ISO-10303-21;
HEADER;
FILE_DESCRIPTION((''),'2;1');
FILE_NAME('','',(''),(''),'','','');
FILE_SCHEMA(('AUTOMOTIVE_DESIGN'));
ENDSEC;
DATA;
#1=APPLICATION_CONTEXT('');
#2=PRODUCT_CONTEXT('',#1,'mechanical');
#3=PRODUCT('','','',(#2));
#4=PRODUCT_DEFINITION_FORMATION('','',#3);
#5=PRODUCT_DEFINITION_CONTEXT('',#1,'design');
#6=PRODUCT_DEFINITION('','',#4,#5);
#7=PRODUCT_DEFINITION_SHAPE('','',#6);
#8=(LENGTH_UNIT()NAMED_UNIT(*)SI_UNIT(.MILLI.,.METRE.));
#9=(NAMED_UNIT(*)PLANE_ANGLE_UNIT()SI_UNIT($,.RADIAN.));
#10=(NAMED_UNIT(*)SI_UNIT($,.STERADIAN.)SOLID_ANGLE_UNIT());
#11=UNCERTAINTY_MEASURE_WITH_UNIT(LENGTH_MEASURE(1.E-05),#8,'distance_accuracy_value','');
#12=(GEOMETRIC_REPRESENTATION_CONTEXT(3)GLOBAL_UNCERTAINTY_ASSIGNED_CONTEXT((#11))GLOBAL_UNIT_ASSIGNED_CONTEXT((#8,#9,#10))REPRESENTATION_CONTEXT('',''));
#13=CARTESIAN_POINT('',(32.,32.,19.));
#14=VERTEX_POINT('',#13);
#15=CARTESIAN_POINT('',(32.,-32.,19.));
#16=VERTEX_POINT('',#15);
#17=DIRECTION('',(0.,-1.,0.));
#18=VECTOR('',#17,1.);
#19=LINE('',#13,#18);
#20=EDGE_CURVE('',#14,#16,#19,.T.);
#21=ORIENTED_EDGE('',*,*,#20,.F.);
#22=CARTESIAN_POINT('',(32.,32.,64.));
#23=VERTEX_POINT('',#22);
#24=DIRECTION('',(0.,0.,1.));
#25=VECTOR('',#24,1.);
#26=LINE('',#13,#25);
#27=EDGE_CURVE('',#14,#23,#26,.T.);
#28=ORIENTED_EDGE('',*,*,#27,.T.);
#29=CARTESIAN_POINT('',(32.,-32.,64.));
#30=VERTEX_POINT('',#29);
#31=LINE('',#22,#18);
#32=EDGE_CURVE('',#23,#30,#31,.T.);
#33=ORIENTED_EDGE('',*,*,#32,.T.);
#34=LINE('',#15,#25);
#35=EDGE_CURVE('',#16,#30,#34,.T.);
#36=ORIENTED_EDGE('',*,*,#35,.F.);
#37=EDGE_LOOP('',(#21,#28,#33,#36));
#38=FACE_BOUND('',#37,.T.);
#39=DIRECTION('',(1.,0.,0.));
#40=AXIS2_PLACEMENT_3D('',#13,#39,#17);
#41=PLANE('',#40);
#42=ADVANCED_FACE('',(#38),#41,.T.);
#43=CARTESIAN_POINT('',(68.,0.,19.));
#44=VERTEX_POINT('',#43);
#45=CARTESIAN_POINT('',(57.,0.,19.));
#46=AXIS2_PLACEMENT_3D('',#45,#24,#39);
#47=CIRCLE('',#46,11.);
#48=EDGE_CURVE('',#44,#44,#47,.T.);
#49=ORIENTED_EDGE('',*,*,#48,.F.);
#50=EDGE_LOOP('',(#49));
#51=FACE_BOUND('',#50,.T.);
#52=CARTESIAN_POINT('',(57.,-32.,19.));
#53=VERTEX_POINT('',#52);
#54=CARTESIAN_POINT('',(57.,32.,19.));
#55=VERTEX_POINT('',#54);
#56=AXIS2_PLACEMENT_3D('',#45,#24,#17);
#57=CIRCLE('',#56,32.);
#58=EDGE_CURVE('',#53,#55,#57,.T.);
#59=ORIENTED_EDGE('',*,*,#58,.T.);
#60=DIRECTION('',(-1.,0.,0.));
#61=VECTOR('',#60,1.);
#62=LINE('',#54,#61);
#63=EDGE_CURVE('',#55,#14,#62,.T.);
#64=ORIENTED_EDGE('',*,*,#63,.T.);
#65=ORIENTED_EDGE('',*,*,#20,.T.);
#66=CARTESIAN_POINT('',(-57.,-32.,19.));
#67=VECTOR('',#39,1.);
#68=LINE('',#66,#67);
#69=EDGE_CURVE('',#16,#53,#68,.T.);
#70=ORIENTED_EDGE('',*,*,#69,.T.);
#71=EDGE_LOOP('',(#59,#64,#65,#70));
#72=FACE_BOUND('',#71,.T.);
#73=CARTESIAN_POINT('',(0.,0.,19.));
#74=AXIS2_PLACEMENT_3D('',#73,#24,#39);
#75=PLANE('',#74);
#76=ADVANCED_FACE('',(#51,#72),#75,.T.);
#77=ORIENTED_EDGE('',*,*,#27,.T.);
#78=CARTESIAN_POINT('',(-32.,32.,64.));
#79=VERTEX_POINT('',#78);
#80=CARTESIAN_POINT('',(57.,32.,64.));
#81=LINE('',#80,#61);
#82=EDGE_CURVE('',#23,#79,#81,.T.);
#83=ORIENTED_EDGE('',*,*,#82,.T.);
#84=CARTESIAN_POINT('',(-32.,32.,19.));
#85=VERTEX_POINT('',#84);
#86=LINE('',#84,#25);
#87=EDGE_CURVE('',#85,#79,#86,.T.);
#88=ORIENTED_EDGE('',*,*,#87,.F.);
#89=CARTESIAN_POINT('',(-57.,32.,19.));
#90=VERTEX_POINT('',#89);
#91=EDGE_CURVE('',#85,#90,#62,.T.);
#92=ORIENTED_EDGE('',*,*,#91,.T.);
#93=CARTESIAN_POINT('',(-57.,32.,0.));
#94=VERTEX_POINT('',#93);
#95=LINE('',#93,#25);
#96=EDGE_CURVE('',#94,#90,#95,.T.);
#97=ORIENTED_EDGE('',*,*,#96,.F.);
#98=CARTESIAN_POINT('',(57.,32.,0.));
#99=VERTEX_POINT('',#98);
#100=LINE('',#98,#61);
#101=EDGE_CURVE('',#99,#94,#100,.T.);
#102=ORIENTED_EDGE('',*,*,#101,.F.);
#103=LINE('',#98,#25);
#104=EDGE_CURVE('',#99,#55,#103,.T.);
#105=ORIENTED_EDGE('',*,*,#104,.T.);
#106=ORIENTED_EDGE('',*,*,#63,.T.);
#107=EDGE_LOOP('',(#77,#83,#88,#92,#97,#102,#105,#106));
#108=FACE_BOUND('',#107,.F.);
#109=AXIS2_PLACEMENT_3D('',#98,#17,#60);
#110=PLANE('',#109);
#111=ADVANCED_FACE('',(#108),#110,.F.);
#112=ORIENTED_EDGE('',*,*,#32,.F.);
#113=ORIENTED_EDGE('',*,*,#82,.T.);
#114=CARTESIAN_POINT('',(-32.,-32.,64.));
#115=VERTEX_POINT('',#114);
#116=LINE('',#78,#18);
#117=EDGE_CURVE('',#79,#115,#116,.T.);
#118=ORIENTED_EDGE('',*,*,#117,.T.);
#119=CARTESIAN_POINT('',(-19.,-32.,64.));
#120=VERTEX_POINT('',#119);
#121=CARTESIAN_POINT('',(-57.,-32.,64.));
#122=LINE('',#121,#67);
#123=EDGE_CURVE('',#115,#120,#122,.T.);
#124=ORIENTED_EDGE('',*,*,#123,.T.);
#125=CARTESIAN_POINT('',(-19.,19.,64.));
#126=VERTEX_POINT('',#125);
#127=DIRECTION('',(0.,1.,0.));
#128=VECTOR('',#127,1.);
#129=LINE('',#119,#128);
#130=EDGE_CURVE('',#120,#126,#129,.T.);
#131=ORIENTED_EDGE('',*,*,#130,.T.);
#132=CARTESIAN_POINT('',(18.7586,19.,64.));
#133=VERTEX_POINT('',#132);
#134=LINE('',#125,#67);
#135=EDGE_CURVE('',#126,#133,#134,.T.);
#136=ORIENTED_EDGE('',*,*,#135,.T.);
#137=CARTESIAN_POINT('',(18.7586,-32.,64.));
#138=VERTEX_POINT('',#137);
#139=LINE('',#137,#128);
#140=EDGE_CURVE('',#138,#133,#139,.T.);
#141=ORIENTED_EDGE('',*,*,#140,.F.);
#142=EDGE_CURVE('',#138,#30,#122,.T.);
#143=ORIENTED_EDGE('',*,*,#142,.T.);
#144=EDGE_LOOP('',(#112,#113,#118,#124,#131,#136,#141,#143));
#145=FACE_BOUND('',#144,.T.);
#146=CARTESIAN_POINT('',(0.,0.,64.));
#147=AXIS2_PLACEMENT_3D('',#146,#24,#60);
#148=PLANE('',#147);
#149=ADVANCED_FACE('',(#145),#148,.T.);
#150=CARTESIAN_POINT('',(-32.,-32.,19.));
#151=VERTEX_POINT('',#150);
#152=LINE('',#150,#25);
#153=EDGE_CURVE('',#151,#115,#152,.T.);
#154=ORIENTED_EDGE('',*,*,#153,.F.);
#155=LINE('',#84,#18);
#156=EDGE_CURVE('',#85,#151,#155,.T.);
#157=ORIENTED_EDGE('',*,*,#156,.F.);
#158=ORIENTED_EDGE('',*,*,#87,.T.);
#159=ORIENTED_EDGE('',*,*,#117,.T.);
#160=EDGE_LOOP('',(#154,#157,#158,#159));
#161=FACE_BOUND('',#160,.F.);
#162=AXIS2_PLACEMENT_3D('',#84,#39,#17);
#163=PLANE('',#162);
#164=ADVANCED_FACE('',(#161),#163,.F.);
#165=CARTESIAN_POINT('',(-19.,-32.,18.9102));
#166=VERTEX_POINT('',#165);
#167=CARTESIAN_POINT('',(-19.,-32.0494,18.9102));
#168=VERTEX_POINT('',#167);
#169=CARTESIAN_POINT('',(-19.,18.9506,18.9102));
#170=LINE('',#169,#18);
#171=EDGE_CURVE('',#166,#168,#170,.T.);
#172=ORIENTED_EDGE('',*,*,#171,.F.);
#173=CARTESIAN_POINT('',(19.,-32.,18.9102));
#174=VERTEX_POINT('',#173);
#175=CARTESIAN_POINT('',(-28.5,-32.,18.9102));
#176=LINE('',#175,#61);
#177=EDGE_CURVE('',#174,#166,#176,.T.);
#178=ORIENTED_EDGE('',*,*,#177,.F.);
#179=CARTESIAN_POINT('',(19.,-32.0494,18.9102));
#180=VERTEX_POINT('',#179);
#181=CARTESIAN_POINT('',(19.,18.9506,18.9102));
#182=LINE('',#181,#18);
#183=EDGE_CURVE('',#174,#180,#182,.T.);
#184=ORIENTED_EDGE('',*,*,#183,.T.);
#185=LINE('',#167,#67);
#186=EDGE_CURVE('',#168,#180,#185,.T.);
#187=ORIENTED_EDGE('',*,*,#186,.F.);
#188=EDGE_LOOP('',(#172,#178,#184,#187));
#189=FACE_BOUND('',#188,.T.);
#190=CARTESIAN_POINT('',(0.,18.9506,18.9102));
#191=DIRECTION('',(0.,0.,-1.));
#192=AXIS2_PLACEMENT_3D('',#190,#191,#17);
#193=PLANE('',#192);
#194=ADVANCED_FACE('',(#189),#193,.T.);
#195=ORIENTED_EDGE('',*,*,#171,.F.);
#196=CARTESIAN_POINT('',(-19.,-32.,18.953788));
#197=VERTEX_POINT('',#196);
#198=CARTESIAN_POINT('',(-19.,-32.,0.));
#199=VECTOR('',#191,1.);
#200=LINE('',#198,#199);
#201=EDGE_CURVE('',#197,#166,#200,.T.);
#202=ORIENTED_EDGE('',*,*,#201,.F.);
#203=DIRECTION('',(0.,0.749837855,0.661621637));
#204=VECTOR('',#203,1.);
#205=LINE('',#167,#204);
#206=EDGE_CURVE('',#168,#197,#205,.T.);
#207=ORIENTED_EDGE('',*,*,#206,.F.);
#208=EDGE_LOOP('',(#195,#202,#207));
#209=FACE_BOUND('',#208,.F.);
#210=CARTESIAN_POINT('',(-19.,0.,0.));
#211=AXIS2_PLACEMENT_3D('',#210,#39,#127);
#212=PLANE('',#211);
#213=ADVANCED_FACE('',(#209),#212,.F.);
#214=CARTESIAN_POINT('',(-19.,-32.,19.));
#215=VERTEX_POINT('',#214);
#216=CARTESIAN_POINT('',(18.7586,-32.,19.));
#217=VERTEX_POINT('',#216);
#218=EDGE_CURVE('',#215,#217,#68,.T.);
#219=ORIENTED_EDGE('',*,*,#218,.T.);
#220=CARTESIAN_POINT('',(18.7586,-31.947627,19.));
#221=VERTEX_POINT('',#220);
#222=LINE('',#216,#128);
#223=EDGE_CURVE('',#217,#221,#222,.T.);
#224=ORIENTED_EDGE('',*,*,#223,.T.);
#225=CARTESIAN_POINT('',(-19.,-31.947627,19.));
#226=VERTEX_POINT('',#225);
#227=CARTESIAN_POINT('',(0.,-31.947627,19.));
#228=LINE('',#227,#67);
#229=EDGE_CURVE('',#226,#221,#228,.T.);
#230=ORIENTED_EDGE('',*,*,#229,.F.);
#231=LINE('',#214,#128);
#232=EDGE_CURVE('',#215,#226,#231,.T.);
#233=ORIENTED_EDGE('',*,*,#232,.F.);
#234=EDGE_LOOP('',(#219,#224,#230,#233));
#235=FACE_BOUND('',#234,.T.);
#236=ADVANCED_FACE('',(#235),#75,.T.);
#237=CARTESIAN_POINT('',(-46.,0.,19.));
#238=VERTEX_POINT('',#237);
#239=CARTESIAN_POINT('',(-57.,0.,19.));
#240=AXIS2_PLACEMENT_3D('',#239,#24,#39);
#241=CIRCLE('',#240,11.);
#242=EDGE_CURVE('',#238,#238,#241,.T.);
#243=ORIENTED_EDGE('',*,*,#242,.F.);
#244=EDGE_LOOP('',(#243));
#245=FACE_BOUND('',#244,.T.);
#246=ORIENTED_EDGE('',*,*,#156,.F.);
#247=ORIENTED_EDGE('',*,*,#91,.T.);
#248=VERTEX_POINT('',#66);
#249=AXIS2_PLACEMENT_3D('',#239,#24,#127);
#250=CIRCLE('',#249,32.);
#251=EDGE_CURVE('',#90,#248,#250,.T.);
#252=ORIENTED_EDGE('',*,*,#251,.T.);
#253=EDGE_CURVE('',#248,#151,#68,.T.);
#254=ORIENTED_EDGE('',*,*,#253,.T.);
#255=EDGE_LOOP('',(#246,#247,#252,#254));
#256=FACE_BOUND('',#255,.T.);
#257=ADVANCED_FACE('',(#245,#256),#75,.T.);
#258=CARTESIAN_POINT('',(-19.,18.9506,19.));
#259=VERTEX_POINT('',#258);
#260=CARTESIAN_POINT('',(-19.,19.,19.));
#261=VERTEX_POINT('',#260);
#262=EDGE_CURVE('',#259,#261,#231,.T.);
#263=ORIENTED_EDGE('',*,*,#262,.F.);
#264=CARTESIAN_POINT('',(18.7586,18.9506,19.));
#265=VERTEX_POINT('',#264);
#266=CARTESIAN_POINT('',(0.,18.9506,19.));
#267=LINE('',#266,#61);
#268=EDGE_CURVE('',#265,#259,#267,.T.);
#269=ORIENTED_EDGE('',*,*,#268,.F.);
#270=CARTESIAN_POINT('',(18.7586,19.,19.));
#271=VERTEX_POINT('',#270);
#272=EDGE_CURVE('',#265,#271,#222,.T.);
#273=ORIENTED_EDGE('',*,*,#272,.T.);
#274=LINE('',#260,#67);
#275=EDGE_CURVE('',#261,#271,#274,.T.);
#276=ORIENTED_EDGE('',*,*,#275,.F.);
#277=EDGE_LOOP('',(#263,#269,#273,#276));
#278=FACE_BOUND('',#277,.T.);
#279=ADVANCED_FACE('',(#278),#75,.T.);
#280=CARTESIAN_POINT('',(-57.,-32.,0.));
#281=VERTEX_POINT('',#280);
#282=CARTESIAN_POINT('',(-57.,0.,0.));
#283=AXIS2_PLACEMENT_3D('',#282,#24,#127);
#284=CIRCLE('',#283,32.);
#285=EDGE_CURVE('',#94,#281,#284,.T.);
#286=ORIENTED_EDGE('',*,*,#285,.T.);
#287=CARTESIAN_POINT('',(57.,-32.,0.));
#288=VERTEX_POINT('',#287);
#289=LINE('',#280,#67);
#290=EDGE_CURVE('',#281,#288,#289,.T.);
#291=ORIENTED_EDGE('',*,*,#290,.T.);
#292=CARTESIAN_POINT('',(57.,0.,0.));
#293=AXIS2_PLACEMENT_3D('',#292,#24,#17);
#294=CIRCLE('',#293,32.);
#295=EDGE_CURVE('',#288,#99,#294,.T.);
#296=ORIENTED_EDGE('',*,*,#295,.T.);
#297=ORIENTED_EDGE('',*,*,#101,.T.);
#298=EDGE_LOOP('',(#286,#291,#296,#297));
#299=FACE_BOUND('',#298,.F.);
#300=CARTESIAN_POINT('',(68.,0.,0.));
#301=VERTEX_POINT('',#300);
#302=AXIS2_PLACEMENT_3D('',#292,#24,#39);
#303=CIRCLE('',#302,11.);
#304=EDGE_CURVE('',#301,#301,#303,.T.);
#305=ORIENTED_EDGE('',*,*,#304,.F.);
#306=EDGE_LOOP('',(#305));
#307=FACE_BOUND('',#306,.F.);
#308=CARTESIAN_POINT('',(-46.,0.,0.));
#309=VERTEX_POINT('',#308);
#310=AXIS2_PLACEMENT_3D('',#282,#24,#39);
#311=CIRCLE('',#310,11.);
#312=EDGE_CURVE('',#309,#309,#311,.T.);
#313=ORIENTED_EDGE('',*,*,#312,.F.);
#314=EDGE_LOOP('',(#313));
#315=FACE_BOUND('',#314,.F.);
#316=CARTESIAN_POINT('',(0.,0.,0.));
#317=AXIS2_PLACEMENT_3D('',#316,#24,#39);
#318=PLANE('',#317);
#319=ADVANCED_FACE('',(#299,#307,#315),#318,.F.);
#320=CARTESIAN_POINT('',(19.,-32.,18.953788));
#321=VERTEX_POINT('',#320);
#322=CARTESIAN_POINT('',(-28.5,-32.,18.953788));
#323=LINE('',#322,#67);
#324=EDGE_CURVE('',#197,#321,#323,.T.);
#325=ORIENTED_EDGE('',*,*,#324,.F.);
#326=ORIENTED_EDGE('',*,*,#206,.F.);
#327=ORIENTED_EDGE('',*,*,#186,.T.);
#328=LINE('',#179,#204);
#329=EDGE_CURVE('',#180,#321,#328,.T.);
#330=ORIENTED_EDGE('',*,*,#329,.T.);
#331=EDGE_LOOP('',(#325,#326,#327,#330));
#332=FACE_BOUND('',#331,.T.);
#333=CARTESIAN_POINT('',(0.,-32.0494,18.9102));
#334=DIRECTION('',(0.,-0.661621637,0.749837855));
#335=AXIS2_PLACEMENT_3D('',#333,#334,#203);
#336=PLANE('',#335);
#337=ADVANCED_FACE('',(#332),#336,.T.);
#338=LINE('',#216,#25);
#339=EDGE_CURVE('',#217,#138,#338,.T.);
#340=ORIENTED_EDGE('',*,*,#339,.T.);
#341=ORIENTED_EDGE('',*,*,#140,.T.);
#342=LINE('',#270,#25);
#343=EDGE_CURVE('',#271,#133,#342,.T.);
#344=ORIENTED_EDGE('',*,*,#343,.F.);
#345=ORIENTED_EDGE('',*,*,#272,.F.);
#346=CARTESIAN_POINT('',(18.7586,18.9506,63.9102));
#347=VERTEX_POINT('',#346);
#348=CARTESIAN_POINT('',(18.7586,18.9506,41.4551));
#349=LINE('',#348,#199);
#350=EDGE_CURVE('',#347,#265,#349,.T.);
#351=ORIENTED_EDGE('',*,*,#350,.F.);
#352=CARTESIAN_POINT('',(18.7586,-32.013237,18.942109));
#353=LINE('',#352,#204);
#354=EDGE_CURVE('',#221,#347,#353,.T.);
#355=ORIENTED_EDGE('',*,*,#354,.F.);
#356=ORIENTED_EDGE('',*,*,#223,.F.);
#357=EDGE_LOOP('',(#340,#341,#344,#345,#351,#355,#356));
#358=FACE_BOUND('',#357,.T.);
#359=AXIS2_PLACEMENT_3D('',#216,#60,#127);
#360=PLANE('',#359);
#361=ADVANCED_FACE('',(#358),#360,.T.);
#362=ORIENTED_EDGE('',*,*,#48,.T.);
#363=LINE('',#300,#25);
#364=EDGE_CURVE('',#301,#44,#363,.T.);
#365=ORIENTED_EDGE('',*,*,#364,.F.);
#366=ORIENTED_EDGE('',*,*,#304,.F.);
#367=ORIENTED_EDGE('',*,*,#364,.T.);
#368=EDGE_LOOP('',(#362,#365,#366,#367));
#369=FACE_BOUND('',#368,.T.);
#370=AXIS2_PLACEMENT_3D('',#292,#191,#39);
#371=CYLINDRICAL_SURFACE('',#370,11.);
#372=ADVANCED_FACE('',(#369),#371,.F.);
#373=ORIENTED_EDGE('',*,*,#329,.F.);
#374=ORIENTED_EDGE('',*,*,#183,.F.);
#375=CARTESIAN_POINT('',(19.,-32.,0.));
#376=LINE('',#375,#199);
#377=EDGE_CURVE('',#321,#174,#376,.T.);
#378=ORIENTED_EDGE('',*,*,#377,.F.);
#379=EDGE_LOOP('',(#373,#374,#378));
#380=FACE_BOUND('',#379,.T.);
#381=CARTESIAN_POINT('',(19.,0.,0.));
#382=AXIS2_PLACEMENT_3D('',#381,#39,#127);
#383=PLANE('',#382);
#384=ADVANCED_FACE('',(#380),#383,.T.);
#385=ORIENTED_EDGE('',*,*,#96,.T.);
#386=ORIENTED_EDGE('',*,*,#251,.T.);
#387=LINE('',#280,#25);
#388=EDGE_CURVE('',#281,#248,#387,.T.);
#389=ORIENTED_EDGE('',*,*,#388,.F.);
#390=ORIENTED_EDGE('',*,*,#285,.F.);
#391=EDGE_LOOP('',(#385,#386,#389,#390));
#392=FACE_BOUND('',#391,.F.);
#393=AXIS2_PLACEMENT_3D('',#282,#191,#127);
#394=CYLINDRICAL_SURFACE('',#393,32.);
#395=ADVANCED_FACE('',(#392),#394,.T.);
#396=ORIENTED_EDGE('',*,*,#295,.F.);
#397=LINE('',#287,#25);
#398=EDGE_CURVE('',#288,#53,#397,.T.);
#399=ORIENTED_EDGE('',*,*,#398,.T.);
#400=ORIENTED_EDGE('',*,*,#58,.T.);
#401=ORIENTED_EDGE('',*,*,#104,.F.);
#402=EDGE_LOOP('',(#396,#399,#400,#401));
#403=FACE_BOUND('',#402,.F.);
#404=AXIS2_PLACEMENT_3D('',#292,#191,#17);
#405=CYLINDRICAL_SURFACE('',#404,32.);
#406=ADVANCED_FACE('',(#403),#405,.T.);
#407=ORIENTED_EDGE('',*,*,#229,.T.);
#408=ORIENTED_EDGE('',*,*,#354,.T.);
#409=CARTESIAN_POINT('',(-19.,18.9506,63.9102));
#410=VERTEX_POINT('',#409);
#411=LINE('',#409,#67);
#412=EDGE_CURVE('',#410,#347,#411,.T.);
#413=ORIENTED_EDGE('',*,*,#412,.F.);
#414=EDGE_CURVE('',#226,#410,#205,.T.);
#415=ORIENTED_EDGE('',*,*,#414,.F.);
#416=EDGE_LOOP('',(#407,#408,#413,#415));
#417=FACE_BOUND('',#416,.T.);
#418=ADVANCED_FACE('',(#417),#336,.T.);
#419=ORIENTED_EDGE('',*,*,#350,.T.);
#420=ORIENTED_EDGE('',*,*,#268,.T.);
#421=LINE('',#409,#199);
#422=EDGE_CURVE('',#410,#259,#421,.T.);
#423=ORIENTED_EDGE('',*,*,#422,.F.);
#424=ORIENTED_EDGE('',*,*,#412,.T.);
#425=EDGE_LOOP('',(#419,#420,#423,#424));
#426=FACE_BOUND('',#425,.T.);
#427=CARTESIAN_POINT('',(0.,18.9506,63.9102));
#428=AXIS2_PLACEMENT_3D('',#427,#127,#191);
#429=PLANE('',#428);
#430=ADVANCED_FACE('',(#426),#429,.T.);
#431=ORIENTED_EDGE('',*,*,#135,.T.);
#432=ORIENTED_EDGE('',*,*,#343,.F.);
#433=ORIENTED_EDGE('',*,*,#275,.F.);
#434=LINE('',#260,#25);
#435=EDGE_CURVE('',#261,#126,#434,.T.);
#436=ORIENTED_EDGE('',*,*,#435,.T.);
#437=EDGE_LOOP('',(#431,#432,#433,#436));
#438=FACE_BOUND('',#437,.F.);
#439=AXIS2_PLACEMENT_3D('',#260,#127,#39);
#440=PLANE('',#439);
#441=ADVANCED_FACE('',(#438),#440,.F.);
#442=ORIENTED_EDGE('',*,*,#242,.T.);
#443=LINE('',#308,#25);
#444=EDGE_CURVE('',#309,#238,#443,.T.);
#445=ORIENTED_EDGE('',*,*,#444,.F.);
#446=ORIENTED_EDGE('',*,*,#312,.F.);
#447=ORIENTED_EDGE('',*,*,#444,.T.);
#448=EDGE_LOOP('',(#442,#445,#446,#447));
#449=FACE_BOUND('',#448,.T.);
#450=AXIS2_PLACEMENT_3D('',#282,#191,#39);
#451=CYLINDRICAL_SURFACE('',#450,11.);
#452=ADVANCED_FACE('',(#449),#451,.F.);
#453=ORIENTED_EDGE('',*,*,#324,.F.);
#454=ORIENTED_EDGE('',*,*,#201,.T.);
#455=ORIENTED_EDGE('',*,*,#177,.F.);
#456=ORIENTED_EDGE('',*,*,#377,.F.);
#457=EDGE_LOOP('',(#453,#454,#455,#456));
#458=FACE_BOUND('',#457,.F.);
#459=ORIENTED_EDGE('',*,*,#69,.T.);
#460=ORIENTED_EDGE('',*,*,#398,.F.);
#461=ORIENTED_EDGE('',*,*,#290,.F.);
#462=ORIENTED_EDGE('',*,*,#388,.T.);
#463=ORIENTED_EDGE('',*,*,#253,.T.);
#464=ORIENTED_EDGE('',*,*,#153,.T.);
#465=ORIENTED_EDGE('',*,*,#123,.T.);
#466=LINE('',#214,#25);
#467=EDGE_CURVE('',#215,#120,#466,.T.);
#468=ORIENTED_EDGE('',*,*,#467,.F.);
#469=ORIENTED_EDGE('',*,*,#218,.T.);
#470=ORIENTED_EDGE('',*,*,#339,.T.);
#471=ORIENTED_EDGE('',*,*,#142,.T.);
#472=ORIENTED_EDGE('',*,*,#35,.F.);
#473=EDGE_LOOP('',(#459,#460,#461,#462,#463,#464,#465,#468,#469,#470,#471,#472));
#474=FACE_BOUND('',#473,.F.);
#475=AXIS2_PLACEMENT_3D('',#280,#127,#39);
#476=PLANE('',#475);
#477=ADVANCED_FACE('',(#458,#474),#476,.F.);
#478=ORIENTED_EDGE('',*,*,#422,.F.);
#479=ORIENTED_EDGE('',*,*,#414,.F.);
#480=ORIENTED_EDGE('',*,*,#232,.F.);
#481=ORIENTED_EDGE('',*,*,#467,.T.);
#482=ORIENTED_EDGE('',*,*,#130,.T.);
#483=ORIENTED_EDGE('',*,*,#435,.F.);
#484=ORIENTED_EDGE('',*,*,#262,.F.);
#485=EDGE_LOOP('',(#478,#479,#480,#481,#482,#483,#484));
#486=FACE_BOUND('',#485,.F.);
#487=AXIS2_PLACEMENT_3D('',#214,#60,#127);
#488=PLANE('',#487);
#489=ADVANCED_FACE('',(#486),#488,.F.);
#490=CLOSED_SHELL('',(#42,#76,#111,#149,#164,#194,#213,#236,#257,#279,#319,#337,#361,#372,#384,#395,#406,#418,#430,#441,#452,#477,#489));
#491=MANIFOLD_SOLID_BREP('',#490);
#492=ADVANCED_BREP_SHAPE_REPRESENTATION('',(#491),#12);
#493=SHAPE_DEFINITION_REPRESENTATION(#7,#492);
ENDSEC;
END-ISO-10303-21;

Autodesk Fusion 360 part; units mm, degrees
sketch "Base_Sketch" plane through (0, 0, 0) normal (0, 0, 1) x (1, 0, 0)
  line L0 (57, 32) -> (-57, 32)
  line L1 (-57, -32) -> (57, -32)
  circle A0 centre (-57, 0) radius 11
  circle A1 centre (57, 0) radius 11
  arc A2 (-57, 32) -> (-57, -32) centre (-57, 0) ccw
  arc A3 (57, -32) -> (57, 32) centre (57, 0) ccw
  dimension "d1" = 114
  dimension "d2" = 64
  dimension "d3" = 32
  dimension "d4" = 32
extrude "Extrude1" add sketch "Base_Sketch" along normal blind 19
sketch "Top_Base_Sketch" plane through (0, 0, 19) normal (0, 0, 1) x (-1, 0, 0)
  circle A0 centre (-57, 0) radius 11
  circle A1 centre (57, 0) radius 11
  arc A2 (-57, 32) -> (-57, -32) centre (-57, 0) ccw
  line L0 (-57, -32) -> (57, -32)
  arc A3 (57, -32) -> (57, 32) centre (57, 0) ccw
  line L1 (57, 32) -> (-57, 32)
  line L2 (32, -32) -> (32, 32)
  line L3 (-32, -32) -> (-32, 32)
  line L4 (19, 32) -> (19, -19)
  line L5 (-18.7586, 32) -> (-18.7586, -19)
  line L6 (19, -19) -> (-19, -19)
  line L7 (32, 32) -> (19, 32) construction
  line L8 (32, -32) -> (-32, -32) construction
  line L9 (-18.7586, 32) -> (-32, 32) construction
  dimension "d9" = 64
  dimension "d11" = 51
  dimension "d12" = 51
  dimension "d13" = 38
  dimension "d15" = 13
extrude "Extrude2" add sketch "Top_Base_Sketch" along normal blind 45 contours L0 L1 L2 L3 L4 L5 L6
sketch "Triangle_Sketch" plane through (0, 0, 0) normal (1, 0, 0) x (0, 1, 0)
  line L0 (18.9506, 63.9102) -> (18.9506, 18.9102)
  line L1 (18.9506, 18.9102) -> (-32.0494, 18.9102)
  line L2 (-32.0494, 18.9102) -> (18.9506, 63.9102)
  dimension "d18" = 45
  dimension "d20" = 51
extrude "Extrude3" add sketch "Triangle_Sketch" along normal mid plane 38
